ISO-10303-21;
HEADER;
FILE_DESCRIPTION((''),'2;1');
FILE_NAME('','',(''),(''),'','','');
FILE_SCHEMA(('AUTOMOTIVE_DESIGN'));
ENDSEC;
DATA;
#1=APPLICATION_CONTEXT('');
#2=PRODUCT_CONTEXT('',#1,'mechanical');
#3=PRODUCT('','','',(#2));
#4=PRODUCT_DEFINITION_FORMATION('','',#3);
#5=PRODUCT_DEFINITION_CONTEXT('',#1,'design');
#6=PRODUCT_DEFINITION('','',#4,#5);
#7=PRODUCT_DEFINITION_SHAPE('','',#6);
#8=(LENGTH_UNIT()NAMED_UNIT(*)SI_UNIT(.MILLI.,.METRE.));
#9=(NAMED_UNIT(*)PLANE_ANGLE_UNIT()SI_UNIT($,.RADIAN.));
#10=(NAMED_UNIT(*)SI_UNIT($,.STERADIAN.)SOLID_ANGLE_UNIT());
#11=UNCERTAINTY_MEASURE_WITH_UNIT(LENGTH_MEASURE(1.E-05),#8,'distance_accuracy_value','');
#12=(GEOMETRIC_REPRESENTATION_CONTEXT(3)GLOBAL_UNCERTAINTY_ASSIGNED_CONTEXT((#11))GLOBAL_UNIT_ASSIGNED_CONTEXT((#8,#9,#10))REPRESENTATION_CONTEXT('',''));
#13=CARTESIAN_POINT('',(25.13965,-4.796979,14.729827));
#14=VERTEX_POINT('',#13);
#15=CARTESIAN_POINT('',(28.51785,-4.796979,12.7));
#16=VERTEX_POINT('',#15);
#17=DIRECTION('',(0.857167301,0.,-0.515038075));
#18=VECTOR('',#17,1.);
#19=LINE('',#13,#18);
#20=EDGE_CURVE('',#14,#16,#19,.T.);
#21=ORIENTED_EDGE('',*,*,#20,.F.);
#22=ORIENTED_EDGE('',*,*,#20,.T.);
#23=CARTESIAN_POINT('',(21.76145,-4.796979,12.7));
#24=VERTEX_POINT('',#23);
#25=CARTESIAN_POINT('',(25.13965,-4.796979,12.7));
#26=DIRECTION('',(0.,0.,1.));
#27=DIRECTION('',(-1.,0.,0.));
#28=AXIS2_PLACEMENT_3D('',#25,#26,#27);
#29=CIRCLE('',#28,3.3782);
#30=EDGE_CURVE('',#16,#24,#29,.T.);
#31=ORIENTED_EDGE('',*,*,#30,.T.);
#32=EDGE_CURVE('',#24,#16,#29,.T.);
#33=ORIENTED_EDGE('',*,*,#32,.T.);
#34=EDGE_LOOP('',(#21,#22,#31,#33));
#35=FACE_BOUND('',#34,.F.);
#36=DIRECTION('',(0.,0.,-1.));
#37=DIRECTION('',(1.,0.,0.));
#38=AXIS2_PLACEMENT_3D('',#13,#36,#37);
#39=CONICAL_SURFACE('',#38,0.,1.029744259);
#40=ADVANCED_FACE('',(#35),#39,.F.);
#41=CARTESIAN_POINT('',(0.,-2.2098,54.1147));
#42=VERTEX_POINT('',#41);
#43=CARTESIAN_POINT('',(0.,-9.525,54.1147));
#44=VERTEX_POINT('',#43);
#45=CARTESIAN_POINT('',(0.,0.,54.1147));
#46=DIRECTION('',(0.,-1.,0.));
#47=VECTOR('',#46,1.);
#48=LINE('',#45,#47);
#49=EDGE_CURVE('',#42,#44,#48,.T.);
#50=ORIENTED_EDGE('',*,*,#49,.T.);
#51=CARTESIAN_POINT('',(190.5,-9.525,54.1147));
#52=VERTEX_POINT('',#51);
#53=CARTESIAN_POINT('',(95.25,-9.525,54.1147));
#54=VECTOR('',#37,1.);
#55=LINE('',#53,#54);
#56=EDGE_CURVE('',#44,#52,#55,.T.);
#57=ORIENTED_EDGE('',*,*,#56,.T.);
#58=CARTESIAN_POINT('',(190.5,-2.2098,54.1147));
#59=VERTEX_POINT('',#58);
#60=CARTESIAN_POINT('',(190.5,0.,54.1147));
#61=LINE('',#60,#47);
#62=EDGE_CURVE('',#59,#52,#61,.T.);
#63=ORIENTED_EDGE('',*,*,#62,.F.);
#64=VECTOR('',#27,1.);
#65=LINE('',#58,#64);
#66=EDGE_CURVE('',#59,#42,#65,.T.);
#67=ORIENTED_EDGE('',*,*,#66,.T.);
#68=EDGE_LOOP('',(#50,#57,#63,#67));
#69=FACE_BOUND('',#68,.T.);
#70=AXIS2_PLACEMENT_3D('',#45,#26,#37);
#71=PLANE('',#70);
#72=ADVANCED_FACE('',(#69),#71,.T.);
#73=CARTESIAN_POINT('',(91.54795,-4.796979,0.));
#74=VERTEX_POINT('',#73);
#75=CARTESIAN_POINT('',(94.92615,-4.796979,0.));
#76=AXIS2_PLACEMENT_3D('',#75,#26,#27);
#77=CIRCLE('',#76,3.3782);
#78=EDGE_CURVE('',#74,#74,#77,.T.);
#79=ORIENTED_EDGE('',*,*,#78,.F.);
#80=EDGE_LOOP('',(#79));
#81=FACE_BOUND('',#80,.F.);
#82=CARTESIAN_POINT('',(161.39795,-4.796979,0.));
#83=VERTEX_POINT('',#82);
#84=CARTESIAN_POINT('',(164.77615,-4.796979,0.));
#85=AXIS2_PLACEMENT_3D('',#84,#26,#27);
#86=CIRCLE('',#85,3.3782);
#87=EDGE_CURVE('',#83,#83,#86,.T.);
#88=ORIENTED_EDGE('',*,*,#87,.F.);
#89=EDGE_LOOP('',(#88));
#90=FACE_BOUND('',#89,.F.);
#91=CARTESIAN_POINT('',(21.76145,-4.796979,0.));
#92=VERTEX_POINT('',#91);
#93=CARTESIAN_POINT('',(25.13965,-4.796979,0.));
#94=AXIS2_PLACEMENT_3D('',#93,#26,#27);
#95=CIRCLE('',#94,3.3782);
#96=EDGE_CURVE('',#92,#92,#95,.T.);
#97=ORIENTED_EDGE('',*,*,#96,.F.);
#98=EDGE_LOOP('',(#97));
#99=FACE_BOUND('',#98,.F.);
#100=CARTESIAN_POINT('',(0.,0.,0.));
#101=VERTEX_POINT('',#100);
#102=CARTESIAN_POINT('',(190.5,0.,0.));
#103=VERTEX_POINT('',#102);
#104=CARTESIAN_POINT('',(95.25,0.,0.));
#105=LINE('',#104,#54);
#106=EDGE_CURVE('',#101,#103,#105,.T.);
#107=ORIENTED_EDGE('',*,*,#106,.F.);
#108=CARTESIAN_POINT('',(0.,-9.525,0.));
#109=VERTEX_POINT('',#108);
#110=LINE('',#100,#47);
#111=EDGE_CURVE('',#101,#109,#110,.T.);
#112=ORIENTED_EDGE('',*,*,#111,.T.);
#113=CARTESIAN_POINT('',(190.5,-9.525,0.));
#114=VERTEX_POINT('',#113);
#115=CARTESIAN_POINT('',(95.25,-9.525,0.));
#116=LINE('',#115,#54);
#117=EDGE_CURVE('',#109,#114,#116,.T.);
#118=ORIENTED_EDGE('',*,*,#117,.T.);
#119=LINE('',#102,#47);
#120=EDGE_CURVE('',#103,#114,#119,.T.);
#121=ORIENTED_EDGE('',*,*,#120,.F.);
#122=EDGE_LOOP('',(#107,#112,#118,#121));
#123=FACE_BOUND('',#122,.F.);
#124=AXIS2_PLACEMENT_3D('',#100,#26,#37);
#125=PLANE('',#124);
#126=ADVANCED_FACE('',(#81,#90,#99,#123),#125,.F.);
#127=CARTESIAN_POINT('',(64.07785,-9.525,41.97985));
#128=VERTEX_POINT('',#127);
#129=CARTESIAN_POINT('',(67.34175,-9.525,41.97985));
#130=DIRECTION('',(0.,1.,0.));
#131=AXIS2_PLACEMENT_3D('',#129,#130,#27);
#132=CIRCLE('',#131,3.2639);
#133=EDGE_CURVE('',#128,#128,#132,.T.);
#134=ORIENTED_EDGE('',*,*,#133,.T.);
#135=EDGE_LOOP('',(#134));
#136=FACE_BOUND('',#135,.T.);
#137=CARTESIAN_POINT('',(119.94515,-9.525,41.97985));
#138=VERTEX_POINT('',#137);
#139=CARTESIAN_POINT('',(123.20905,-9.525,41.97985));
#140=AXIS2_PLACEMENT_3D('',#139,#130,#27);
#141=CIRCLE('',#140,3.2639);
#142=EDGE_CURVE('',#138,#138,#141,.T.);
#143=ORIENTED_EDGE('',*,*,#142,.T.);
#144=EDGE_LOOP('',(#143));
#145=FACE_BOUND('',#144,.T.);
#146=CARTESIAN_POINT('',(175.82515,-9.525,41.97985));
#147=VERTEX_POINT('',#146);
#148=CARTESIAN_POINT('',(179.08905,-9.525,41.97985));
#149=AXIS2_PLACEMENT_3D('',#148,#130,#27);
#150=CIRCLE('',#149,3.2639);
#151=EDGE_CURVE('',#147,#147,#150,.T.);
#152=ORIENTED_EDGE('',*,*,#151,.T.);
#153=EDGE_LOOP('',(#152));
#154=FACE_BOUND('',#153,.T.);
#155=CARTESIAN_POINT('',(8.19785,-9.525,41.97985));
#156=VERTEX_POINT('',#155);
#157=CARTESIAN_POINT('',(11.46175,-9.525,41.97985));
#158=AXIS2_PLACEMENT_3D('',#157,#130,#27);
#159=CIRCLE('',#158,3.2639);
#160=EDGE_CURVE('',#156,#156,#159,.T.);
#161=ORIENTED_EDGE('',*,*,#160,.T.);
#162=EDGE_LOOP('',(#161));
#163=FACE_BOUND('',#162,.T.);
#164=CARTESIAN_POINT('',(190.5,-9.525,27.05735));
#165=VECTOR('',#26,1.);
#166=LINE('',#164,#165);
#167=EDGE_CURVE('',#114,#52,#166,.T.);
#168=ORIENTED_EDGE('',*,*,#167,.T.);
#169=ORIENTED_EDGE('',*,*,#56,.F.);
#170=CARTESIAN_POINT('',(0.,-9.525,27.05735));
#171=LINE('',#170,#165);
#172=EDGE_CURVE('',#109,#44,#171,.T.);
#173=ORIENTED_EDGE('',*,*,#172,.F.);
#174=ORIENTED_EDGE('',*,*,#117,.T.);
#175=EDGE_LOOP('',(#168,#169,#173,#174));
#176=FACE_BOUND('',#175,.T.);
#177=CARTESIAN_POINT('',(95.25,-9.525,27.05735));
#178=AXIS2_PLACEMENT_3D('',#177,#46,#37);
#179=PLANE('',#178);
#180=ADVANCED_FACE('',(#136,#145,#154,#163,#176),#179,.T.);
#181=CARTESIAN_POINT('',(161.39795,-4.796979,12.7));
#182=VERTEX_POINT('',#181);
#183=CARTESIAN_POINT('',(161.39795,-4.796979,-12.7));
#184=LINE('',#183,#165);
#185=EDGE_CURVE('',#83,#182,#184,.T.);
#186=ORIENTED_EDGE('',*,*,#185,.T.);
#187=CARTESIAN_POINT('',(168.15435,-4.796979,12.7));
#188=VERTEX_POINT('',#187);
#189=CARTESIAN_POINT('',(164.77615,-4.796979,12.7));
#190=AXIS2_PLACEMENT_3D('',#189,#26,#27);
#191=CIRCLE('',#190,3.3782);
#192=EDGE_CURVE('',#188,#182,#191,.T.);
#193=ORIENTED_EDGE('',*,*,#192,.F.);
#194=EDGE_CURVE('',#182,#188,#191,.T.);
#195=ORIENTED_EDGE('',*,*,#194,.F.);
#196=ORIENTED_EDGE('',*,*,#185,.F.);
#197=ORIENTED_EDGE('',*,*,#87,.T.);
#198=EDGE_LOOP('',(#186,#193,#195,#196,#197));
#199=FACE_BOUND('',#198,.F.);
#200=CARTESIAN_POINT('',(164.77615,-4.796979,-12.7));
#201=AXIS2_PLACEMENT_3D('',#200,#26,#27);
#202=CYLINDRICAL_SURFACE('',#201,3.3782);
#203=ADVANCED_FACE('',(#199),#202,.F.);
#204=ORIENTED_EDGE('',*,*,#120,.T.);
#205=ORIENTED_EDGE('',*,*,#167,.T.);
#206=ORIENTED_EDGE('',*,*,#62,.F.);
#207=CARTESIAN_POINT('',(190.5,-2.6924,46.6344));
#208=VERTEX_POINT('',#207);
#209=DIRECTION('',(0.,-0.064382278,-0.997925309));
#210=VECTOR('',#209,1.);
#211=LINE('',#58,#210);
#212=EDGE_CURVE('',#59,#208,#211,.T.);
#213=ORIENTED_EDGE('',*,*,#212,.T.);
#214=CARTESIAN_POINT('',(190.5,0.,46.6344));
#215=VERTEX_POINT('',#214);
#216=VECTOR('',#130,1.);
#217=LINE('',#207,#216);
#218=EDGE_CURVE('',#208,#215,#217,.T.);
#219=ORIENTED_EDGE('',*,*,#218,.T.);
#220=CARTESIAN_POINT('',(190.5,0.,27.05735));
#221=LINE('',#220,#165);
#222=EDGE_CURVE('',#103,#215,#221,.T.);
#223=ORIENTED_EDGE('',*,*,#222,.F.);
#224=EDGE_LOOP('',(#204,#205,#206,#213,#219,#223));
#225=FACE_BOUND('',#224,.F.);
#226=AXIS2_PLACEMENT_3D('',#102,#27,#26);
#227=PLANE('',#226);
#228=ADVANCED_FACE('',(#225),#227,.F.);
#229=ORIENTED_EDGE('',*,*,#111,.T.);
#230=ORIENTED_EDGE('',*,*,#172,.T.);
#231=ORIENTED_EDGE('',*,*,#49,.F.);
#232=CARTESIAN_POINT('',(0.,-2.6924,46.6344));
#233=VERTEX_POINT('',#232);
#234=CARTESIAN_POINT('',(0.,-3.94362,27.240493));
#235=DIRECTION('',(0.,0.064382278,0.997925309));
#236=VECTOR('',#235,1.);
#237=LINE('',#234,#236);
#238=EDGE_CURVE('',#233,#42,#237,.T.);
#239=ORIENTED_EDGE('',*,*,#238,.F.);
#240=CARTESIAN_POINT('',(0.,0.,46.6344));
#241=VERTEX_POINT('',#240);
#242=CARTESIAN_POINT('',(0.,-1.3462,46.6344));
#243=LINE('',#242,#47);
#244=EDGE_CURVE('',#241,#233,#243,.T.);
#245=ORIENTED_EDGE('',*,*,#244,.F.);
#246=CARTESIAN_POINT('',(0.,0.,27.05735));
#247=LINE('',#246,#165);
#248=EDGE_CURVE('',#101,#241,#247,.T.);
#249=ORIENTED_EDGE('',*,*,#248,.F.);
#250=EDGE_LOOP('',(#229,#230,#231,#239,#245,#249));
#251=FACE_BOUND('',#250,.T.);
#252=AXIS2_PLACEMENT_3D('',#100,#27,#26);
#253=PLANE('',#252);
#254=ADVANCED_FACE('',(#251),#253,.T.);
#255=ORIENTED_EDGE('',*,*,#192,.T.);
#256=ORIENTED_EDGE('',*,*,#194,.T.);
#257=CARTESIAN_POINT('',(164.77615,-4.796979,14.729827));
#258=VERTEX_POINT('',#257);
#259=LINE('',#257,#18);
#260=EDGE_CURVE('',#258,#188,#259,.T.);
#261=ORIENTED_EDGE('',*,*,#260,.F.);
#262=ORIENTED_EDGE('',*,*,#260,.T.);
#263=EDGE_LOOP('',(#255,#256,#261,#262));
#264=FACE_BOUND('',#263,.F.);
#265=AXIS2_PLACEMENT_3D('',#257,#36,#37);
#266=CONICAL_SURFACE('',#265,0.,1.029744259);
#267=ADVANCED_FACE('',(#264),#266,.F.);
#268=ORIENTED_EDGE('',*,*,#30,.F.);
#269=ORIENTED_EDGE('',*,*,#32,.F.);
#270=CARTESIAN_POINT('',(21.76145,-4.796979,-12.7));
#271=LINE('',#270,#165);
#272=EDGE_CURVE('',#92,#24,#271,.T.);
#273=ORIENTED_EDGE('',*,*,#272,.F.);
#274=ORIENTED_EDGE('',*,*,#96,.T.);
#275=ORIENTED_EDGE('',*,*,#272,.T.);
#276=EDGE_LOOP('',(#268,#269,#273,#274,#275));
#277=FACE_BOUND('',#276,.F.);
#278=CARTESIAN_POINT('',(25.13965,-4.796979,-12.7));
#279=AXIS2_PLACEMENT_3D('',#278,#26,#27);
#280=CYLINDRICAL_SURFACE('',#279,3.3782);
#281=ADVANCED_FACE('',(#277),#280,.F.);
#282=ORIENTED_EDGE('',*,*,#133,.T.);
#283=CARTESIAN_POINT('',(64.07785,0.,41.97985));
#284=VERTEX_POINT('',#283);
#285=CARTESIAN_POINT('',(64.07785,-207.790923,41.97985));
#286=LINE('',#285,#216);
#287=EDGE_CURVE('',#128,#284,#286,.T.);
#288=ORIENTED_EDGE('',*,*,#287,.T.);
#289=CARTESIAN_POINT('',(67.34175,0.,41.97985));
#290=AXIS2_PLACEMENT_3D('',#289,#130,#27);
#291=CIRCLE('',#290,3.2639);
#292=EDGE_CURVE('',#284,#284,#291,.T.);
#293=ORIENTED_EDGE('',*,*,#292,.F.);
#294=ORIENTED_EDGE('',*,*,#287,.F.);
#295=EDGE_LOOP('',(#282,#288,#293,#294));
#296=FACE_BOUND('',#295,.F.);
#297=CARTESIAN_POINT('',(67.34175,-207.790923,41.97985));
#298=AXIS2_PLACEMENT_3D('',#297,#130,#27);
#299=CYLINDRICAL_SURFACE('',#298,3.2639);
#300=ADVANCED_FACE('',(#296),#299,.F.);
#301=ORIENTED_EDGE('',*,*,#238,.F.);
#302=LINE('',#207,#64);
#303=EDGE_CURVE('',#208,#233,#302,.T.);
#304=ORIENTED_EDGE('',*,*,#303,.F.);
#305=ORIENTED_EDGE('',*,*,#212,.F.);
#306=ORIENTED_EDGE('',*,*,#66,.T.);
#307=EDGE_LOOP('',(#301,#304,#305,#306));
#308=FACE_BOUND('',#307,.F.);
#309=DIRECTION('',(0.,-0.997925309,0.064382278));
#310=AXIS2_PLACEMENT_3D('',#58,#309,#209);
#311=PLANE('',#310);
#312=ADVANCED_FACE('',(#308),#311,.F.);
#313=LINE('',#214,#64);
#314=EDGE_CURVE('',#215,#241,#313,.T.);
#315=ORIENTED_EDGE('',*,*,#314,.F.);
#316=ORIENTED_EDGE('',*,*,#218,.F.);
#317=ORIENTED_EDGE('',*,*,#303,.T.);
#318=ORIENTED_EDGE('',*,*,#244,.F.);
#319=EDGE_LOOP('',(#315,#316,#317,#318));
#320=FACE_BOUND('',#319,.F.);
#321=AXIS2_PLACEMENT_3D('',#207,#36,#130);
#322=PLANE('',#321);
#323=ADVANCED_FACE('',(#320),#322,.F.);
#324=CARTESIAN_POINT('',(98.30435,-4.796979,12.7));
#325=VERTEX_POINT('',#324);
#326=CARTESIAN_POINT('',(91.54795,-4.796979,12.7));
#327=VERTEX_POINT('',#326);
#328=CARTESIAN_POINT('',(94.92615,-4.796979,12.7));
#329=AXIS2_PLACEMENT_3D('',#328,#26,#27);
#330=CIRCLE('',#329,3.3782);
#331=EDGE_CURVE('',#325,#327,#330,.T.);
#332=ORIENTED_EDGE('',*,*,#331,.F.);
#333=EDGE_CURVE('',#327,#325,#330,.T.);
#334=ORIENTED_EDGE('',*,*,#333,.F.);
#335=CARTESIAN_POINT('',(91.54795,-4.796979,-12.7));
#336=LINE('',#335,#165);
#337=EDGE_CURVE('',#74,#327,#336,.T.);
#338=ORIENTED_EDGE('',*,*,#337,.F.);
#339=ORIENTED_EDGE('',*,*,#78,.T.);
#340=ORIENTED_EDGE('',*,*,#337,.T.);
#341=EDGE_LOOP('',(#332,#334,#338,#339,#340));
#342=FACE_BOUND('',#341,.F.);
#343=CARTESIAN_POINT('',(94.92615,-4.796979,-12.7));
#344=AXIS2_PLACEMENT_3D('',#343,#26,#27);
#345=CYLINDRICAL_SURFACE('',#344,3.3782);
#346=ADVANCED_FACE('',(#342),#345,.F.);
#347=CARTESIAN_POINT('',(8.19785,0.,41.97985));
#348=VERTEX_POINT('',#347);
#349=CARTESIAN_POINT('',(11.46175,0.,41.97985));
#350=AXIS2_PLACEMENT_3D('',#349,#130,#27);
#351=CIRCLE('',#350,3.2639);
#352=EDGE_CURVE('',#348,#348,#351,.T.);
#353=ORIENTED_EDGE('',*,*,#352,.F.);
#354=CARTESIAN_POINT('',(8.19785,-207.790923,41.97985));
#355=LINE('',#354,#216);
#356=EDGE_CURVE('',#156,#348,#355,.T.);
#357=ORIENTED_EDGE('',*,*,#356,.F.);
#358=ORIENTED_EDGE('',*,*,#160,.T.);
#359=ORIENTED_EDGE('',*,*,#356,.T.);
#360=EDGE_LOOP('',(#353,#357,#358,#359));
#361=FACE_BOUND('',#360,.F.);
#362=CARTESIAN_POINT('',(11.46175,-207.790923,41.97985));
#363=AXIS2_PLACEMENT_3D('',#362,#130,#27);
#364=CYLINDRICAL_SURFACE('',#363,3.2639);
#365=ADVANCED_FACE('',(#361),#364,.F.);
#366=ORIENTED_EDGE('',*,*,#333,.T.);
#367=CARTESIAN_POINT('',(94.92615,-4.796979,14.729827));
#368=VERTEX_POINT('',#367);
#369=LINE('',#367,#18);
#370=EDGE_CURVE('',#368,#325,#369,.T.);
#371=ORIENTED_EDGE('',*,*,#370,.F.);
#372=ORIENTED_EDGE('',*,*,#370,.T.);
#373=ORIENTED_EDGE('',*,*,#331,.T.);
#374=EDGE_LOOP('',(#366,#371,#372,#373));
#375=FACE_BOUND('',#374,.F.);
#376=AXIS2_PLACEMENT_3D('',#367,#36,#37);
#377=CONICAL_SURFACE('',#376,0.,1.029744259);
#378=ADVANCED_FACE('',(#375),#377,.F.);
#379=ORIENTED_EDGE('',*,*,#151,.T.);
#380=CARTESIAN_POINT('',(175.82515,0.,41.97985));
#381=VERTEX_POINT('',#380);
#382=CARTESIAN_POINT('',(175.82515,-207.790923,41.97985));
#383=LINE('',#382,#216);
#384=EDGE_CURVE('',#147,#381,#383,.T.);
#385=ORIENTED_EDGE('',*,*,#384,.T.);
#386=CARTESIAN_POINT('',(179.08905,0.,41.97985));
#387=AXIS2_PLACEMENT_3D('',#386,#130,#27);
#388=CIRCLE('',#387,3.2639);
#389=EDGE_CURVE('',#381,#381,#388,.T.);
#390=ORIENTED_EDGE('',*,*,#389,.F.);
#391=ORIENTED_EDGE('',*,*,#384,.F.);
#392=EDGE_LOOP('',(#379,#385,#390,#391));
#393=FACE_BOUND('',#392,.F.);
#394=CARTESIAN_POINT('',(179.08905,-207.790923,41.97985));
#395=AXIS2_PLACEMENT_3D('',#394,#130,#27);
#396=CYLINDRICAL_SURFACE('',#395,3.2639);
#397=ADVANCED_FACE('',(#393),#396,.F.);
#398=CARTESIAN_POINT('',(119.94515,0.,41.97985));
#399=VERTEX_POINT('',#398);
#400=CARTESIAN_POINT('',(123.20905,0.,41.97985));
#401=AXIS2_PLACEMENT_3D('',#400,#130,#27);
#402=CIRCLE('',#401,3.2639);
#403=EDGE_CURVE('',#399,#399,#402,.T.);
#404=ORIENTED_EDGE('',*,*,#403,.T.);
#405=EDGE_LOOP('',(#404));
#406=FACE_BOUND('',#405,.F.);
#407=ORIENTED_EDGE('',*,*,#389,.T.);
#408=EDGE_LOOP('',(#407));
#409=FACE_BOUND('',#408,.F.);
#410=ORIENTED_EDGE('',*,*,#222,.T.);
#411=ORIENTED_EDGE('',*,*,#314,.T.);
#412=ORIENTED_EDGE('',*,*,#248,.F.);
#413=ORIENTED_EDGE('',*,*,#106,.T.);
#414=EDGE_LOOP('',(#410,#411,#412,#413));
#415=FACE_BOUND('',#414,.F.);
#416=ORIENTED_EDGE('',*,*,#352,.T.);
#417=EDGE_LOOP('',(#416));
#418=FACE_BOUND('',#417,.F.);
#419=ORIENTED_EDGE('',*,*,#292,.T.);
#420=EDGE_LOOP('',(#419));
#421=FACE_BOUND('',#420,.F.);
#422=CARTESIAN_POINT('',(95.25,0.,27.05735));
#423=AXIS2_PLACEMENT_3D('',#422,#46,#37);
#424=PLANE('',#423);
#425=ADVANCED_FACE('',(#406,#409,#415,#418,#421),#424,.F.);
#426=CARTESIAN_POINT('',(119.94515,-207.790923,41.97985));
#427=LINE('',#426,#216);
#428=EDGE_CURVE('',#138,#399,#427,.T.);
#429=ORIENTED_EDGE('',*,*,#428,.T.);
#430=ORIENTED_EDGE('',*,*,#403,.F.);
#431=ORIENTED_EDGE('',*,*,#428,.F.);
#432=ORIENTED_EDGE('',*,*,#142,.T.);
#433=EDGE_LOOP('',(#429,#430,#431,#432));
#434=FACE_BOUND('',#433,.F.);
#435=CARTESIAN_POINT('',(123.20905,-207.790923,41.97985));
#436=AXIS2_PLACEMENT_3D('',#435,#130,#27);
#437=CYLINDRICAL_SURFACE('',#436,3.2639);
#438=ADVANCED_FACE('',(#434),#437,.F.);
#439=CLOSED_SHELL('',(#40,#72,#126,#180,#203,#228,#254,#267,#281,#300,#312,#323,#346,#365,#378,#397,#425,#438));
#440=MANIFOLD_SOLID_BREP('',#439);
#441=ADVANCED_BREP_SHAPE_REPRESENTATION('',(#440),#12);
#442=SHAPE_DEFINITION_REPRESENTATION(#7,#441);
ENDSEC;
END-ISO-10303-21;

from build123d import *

# Parameters (mm, degrees)
F0_W     = 190.5
F0_H     = 54.1147
F1_DEPTH = 9.525
F3_D     = 6.5278
F5_DEPTH = 190.501
F7_D     = 6.7564
F7_DEPTH = 12.7
F7_TIP   = 2.0298273432


with BuildPart() as f1:
    # F0 (on Front) → F1 (new body)
    with BuildSketch(Plane.XZ):
        with Locations((95.25, 27.05735)):
            Rectangle(F0_W, F0_H)
    extrude(amount=F1_DEPTH)

    # F3 (through all)
    with Locations(Plane.XZ.offset(9.525)):
        with Locations((11.46175, 41.97985), (67.34175, 41.97985), (123.20905, 41.97985), (179.08905, 41.97985)):
            Hole(F3_D / 2)

    # F4 (on face) → F5 (cut, through all)
    with BuildSketch(Plane.YZ.offset(190.5)):
        Polygon((0, 54.1147), (-2.2098, 54.1147), (-2.6924, 46.6344), (0, 46.6344), align=None)
    extrude(amount=-F5_DEPTH, mode=Mode.SUBTRACT)

    # F7
    with Locations(Plane(origin=(0, 0, 0), x_dir=(1, 0, 0), z_dir=(0, 0, -1))):
        with Locations((25.13965, 4.7969794832), (94.92615, 4.7969794832), (164.77615, 4.7969794832)):
            Hole(F7_D / 2, depth=F7_DEPTH)
            with Locations((0, 0, -(F7_DEPTH + F7_TIP / 2))):  # 118° drill point
                Cone(0, F7_D / 2, F7_TIP, mode=Mode.SUBTRACT)


solid = f1.part
